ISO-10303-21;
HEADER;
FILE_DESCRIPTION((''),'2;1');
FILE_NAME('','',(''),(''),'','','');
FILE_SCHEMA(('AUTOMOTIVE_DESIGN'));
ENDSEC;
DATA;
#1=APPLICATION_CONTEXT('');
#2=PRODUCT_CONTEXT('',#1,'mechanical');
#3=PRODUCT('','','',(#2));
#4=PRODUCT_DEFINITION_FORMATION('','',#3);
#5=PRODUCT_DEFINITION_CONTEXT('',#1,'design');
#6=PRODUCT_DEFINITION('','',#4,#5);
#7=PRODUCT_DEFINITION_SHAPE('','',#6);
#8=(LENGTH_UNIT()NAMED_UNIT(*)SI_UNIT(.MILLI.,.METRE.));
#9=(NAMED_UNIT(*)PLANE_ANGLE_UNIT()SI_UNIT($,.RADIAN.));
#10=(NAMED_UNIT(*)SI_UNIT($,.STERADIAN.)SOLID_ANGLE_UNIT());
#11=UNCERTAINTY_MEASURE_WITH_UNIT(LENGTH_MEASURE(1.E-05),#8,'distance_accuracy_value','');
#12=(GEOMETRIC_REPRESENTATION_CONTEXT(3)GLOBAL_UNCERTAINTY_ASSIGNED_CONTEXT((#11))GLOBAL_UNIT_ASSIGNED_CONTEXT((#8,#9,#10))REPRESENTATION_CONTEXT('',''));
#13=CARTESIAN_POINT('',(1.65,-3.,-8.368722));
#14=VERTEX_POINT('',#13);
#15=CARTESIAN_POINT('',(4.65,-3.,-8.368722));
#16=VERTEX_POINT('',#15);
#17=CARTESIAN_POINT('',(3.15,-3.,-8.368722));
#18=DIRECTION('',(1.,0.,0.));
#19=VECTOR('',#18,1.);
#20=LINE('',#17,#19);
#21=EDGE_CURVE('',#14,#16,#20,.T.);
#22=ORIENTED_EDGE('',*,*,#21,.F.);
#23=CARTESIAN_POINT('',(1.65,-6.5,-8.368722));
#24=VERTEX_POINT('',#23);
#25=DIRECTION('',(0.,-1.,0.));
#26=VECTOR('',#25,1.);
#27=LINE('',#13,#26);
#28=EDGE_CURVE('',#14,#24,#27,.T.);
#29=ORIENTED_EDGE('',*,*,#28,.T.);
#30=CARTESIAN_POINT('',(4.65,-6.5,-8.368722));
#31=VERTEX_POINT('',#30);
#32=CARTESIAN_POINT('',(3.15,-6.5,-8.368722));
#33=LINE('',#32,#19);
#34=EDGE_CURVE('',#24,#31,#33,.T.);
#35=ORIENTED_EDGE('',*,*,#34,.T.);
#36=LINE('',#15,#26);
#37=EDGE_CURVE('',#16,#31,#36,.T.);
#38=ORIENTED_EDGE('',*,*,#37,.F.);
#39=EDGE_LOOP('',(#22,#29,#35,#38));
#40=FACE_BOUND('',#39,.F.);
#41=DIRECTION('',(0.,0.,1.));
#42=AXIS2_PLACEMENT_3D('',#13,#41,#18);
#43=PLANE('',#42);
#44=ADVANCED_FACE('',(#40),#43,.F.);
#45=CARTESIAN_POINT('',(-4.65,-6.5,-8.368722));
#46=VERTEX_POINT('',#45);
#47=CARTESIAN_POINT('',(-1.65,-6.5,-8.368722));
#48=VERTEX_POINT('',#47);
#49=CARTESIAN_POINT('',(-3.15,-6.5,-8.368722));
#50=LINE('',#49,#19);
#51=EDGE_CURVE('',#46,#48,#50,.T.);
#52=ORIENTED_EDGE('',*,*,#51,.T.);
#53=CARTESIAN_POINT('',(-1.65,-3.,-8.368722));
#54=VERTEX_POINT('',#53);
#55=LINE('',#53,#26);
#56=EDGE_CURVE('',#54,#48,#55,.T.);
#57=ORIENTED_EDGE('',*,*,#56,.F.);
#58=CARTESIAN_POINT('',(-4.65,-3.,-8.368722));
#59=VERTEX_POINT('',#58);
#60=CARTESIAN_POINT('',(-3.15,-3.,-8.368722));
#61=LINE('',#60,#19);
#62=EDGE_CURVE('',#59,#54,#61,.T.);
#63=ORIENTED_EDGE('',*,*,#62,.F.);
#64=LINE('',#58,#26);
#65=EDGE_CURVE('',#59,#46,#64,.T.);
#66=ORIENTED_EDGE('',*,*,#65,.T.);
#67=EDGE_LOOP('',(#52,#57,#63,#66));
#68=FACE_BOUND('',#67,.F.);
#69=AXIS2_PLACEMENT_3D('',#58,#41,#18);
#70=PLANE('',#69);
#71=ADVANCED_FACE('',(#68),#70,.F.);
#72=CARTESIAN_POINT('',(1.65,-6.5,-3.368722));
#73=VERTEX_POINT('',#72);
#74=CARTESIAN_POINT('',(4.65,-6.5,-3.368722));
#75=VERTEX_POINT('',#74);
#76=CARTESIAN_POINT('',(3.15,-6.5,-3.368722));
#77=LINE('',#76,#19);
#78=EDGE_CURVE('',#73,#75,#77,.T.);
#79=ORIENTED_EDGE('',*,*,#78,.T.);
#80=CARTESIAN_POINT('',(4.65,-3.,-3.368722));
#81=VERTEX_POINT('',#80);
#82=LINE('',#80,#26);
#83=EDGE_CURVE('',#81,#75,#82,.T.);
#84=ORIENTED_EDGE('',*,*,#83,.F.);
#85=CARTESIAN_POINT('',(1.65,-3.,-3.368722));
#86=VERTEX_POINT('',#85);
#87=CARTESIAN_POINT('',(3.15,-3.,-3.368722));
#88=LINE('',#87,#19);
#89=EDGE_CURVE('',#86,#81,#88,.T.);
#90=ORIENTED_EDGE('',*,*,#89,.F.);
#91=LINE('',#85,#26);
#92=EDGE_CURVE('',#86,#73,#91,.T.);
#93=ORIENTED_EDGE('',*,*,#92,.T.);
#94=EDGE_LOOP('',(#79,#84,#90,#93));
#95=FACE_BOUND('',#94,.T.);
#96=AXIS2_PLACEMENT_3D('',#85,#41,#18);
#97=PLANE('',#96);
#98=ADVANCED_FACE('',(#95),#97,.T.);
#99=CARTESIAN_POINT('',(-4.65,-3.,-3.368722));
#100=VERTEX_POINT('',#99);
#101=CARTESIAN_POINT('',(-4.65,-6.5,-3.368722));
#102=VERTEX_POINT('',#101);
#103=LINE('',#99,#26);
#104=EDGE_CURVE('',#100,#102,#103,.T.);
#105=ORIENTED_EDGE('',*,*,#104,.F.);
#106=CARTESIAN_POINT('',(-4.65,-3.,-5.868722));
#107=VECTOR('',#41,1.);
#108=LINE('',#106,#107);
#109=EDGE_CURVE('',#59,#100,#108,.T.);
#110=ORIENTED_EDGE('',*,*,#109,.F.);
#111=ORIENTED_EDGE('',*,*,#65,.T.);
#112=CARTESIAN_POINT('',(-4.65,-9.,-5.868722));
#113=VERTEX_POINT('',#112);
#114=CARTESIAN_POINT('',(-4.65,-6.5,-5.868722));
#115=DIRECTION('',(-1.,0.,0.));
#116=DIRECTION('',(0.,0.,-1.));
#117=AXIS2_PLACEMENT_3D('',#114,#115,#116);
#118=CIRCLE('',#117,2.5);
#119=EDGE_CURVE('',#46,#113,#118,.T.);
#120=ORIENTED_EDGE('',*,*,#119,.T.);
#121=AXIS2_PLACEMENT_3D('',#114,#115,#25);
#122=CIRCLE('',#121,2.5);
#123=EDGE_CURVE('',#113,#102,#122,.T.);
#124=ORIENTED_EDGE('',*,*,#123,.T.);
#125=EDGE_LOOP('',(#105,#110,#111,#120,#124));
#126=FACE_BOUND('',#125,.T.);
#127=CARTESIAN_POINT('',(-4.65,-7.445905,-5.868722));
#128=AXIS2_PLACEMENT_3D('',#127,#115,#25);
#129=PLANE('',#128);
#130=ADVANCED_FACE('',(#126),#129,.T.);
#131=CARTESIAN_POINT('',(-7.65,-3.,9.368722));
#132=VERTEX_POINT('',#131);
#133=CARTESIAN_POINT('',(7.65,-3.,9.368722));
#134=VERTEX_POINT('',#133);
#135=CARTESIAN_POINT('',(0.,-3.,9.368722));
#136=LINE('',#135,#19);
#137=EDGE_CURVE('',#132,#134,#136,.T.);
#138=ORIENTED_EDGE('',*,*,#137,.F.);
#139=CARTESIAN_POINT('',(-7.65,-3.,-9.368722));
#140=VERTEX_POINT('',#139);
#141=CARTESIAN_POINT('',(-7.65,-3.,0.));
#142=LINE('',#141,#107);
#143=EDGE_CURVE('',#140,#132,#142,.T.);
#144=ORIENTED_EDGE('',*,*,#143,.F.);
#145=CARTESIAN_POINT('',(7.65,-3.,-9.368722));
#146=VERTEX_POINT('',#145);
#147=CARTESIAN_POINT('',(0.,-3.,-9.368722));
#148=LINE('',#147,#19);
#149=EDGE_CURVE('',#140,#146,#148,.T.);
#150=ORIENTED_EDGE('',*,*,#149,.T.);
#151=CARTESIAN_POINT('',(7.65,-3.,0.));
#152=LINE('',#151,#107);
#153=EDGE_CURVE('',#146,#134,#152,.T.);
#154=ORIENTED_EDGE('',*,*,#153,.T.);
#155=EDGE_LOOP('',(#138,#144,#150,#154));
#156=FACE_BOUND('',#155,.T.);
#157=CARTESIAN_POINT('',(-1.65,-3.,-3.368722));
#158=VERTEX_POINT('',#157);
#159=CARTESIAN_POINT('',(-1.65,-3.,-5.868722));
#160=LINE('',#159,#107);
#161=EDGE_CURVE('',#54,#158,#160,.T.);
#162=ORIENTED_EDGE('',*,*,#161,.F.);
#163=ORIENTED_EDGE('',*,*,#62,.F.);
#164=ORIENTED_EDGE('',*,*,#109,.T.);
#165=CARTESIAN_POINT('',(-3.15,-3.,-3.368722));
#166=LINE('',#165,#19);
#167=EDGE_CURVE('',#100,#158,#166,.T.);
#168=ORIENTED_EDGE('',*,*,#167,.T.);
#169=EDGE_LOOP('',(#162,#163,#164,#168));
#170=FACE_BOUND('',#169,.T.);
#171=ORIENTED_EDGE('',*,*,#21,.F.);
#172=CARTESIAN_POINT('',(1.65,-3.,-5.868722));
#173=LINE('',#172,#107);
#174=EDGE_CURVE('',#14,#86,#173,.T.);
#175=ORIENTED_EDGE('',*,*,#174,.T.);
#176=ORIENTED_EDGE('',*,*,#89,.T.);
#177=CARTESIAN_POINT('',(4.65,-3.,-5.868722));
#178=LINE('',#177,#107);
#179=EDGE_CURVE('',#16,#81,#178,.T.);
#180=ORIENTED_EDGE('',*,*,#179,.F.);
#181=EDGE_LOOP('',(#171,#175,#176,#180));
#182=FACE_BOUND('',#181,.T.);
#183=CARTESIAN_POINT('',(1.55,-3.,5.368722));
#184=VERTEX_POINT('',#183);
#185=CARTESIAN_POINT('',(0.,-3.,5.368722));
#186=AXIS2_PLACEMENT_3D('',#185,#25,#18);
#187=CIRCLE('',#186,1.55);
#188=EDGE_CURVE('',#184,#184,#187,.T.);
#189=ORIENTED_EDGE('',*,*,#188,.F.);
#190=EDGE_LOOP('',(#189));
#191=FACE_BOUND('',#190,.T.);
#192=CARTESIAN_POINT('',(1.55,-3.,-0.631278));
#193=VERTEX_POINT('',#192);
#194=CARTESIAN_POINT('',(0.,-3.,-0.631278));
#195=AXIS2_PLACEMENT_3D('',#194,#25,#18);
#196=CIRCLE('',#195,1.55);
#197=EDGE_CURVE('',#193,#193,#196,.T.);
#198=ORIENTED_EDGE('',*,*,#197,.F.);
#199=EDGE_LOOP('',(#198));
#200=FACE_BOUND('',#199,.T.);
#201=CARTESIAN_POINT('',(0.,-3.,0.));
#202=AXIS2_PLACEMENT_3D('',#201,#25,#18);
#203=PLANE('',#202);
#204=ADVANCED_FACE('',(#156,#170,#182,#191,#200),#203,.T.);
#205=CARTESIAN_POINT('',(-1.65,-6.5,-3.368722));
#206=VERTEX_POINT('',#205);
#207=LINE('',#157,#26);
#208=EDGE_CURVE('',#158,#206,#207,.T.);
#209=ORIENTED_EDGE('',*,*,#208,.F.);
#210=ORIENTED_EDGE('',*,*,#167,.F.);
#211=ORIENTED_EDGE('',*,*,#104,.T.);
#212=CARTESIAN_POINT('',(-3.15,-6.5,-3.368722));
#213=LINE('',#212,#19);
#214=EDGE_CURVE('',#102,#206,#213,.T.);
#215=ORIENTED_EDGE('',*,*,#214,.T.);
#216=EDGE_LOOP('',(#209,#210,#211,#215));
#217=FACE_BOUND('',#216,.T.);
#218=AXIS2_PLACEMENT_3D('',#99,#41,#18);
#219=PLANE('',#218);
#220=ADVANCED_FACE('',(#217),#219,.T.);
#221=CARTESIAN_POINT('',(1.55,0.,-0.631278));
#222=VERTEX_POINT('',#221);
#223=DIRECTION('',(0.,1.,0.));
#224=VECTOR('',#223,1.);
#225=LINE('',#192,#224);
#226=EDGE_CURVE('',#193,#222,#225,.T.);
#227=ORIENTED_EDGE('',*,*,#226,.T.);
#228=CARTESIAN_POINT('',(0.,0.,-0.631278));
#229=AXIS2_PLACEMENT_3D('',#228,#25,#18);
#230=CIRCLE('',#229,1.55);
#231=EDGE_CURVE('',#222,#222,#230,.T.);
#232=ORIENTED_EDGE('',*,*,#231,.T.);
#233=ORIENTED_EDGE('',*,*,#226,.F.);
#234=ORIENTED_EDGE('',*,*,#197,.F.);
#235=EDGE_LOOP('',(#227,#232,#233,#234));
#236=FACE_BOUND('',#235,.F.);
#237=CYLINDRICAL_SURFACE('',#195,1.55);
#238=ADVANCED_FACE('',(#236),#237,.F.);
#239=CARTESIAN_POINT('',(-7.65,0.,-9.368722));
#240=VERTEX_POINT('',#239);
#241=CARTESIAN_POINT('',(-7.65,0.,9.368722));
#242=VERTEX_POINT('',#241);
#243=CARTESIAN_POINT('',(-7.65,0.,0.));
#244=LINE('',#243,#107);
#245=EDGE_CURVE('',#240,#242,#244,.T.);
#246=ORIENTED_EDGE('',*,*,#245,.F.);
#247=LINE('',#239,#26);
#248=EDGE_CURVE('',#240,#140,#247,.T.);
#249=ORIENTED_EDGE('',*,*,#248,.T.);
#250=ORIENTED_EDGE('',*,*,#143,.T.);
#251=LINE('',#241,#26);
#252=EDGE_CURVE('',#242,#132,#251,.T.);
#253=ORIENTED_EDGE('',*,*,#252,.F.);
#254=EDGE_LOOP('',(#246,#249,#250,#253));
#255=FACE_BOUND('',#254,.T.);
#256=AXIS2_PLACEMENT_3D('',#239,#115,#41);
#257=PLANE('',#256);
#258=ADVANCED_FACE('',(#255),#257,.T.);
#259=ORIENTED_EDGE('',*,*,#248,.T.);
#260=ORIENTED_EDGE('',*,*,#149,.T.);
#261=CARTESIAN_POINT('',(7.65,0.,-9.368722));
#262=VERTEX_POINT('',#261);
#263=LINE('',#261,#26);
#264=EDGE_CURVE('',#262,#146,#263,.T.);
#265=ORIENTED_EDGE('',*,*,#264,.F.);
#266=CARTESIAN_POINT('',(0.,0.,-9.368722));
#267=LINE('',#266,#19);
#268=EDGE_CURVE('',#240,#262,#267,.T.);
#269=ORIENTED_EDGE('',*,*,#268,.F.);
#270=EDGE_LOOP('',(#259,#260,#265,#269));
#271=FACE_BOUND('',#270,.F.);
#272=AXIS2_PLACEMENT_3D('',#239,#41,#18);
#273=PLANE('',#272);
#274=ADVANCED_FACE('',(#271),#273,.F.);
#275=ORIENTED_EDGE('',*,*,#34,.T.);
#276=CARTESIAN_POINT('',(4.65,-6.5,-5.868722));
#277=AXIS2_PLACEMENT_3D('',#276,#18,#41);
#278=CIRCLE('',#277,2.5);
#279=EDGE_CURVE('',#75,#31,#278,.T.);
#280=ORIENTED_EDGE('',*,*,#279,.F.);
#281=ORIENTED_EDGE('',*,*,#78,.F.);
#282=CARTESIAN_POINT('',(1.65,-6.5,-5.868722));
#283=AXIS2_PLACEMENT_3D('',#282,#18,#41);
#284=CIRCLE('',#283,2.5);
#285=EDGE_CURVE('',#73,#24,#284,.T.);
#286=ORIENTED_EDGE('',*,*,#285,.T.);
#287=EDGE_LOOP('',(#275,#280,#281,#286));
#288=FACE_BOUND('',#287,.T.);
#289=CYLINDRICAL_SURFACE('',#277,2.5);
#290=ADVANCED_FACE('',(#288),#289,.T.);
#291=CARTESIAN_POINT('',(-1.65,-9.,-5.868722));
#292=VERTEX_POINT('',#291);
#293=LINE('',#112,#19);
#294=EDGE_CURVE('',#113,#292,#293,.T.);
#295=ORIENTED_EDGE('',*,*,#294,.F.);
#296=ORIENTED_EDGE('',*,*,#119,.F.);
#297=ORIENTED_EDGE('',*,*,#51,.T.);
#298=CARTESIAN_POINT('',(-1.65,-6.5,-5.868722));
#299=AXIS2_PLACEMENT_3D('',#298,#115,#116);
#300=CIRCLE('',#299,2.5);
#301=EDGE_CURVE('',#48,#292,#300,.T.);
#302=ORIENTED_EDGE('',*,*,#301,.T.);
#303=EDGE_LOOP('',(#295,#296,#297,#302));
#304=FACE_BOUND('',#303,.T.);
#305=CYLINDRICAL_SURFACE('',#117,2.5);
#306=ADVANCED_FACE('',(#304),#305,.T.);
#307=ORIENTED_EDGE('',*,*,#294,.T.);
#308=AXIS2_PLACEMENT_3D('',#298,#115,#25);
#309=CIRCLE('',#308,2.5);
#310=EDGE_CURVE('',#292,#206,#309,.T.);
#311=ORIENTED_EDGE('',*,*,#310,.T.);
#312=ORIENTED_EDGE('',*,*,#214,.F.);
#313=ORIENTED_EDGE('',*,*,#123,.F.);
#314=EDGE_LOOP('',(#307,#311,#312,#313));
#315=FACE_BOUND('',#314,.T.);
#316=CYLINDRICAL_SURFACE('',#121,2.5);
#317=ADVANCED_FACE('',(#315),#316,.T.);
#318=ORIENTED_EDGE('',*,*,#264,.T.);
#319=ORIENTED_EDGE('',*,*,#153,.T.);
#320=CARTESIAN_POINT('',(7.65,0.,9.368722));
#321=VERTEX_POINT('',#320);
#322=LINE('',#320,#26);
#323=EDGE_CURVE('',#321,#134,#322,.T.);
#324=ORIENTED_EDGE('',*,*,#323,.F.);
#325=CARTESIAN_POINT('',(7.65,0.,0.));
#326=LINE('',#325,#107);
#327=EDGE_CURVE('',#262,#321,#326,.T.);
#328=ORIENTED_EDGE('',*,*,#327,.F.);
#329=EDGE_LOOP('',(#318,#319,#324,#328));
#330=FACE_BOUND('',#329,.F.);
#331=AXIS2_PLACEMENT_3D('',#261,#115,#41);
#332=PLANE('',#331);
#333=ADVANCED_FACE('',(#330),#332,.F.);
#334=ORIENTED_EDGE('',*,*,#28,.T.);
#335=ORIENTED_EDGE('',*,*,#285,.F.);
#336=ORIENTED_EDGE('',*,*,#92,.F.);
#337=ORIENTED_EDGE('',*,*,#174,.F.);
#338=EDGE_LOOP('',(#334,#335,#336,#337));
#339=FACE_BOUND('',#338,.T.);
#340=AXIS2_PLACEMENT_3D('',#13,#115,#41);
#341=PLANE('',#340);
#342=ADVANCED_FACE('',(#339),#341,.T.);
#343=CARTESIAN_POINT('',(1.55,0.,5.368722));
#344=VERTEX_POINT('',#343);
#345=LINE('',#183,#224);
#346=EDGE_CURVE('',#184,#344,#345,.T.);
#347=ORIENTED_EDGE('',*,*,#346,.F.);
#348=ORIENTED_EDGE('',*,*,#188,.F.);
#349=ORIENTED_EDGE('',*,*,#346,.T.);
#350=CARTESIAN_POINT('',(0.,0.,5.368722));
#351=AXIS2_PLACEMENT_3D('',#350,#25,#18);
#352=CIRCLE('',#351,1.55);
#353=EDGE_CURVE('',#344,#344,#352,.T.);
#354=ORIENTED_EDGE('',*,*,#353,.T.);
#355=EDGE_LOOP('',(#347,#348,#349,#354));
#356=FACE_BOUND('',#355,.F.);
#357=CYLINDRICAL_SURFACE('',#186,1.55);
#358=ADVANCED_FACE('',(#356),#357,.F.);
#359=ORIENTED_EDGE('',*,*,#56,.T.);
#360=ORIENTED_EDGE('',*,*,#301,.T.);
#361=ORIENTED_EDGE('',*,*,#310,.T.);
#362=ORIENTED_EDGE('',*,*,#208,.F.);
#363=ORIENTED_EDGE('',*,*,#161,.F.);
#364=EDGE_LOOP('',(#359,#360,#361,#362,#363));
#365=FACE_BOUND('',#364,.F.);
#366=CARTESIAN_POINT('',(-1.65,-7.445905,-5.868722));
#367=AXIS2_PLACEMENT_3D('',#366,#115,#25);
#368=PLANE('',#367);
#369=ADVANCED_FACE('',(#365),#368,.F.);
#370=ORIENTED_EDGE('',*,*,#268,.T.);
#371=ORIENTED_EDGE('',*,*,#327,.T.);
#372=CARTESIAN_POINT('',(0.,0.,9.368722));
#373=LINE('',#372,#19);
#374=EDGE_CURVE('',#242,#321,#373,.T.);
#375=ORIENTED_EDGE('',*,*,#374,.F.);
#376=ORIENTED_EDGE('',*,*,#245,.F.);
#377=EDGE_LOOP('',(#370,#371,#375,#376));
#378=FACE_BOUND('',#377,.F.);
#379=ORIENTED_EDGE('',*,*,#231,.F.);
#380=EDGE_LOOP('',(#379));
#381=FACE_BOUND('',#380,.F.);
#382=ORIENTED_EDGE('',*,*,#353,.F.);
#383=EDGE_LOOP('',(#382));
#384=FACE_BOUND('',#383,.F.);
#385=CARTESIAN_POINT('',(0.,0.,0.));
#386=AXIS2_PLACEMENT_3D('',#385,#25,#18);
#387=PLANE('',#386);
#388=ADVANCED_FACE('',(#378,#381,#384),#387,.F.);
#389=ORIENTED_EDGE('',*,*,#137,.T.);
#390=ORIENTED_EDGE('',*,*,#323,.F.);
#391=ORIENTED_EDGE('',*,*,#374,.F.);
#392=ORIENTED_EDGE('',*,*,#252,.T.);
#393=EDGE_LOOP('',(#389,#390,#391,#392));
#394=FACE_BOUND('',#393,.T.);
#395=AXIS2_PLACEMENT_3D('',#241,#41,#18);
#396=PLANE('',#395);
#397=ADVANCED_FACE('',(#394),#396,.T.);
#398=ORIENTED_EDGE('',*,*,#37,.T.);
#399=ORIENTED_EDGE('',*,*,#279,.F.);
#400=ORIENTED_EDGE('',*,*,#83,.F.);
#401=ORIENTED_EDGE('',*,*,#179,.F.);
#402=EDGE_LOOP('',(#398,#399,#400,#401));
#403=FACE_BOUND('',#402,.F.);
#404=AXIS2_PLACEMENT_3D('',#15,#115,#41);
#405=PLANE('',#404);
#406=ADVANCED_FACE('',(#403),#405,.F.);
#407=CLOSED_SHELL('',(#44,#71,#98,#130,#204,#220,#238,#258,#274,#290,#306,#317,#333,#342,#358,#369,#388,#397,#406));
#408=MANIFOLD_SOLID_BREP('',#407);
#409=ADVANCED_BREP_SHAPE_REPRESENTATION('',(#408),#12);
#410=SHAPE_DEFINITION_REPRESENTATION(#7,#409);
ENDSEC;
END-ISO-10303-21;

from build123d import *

# Parameters (mm, degrees)
F0_W     = 15.3
F0_H     = 18.7374445884
F1_DEPTH = 3
F2_W     = 3
F2_H     = 5
F3_DEPTH = 3.5
F5_R     = 1.55
F6_DEPTH = 5
F7_DEPTH = 3
F9_DEPTH = 3


with BuildPart() as f1:
    # F0 (on Front) → F1 (new body)
    with BuildSketch(Plane.XZ):
        Rectangle(F0_W, F0_H)
    extrude(amount=F1_DEPTH)

    # F2 (on face) → F3 (join)
    with BuildSketch(Plane.XZ.offset(3)):
        with Locations((-3.15, -5.8687222942)):
            Rectangle(F2_W, F2_H)
        with Locations((3.15, -5.8687222942)):
            Rectangle(F2_W, F2_H)
    extrude(amount=F3_DEPTH)

    # F5 (on face) → F6 (cut)
    with BuildSketch(Plane.XZ.offset(3)):
        with Locations((0, -0.6312777058)):
            Circle(F5_R)
        with Locations((0, 5.3687222942)):
            Circle(F5_R)
    extrude(amount=-F6_DEPTH, mode=Mode.SUBTRACT)

    # F4 (on face) → F7 (join)
    with BuildSketch(Plane(origin=(-4.65, 0, 0), x_dir=(0, -1, 0), z_dir=(-1, 0, 0))):
        with BuildLine():
            ThreePointArc((6.5, -8.3687222942), (8.267766953, -7.6364892472), (9, -5.8687222942))
            ThreePointArc((9, -5.8687222942), (8.267766953, -4.1009553413), (6.5, -3.3687222942))
            Line((6.5, -3.3687222942), (6.5, -8.3687222942))
        make_face()
    extrude(amount=-F7_DEPTH)

    # F8 (on face) → F9 (join)
    with BuildSketch(Plane.YZ.offset(4.65)):
        with BuildLine():
            ThreePointArc((-6.5, -8.3687222942), (-4.732233047, -7.6364892472), (-4, -5.8687222942))
            ThreePointArc((-4, -5.8687222942), (-4.732233047, -4.1009553413), (-6.5, -3.3687222942))
            Line((-6.5, -3.3687222942), (-6.5, -8.3687222942))
        make_face()
        with BuildLine():
            Line((-6.5, -8.3687222942), (-6.5, -3.3687222942))
            ThreePointArc((-6.5, -3.3687222942), (-9, -5.8687222942), (-6.5, -8.3687222942))
        make_face()
    extrude(amount=-F9_DEPTH)


solid = f1.part
